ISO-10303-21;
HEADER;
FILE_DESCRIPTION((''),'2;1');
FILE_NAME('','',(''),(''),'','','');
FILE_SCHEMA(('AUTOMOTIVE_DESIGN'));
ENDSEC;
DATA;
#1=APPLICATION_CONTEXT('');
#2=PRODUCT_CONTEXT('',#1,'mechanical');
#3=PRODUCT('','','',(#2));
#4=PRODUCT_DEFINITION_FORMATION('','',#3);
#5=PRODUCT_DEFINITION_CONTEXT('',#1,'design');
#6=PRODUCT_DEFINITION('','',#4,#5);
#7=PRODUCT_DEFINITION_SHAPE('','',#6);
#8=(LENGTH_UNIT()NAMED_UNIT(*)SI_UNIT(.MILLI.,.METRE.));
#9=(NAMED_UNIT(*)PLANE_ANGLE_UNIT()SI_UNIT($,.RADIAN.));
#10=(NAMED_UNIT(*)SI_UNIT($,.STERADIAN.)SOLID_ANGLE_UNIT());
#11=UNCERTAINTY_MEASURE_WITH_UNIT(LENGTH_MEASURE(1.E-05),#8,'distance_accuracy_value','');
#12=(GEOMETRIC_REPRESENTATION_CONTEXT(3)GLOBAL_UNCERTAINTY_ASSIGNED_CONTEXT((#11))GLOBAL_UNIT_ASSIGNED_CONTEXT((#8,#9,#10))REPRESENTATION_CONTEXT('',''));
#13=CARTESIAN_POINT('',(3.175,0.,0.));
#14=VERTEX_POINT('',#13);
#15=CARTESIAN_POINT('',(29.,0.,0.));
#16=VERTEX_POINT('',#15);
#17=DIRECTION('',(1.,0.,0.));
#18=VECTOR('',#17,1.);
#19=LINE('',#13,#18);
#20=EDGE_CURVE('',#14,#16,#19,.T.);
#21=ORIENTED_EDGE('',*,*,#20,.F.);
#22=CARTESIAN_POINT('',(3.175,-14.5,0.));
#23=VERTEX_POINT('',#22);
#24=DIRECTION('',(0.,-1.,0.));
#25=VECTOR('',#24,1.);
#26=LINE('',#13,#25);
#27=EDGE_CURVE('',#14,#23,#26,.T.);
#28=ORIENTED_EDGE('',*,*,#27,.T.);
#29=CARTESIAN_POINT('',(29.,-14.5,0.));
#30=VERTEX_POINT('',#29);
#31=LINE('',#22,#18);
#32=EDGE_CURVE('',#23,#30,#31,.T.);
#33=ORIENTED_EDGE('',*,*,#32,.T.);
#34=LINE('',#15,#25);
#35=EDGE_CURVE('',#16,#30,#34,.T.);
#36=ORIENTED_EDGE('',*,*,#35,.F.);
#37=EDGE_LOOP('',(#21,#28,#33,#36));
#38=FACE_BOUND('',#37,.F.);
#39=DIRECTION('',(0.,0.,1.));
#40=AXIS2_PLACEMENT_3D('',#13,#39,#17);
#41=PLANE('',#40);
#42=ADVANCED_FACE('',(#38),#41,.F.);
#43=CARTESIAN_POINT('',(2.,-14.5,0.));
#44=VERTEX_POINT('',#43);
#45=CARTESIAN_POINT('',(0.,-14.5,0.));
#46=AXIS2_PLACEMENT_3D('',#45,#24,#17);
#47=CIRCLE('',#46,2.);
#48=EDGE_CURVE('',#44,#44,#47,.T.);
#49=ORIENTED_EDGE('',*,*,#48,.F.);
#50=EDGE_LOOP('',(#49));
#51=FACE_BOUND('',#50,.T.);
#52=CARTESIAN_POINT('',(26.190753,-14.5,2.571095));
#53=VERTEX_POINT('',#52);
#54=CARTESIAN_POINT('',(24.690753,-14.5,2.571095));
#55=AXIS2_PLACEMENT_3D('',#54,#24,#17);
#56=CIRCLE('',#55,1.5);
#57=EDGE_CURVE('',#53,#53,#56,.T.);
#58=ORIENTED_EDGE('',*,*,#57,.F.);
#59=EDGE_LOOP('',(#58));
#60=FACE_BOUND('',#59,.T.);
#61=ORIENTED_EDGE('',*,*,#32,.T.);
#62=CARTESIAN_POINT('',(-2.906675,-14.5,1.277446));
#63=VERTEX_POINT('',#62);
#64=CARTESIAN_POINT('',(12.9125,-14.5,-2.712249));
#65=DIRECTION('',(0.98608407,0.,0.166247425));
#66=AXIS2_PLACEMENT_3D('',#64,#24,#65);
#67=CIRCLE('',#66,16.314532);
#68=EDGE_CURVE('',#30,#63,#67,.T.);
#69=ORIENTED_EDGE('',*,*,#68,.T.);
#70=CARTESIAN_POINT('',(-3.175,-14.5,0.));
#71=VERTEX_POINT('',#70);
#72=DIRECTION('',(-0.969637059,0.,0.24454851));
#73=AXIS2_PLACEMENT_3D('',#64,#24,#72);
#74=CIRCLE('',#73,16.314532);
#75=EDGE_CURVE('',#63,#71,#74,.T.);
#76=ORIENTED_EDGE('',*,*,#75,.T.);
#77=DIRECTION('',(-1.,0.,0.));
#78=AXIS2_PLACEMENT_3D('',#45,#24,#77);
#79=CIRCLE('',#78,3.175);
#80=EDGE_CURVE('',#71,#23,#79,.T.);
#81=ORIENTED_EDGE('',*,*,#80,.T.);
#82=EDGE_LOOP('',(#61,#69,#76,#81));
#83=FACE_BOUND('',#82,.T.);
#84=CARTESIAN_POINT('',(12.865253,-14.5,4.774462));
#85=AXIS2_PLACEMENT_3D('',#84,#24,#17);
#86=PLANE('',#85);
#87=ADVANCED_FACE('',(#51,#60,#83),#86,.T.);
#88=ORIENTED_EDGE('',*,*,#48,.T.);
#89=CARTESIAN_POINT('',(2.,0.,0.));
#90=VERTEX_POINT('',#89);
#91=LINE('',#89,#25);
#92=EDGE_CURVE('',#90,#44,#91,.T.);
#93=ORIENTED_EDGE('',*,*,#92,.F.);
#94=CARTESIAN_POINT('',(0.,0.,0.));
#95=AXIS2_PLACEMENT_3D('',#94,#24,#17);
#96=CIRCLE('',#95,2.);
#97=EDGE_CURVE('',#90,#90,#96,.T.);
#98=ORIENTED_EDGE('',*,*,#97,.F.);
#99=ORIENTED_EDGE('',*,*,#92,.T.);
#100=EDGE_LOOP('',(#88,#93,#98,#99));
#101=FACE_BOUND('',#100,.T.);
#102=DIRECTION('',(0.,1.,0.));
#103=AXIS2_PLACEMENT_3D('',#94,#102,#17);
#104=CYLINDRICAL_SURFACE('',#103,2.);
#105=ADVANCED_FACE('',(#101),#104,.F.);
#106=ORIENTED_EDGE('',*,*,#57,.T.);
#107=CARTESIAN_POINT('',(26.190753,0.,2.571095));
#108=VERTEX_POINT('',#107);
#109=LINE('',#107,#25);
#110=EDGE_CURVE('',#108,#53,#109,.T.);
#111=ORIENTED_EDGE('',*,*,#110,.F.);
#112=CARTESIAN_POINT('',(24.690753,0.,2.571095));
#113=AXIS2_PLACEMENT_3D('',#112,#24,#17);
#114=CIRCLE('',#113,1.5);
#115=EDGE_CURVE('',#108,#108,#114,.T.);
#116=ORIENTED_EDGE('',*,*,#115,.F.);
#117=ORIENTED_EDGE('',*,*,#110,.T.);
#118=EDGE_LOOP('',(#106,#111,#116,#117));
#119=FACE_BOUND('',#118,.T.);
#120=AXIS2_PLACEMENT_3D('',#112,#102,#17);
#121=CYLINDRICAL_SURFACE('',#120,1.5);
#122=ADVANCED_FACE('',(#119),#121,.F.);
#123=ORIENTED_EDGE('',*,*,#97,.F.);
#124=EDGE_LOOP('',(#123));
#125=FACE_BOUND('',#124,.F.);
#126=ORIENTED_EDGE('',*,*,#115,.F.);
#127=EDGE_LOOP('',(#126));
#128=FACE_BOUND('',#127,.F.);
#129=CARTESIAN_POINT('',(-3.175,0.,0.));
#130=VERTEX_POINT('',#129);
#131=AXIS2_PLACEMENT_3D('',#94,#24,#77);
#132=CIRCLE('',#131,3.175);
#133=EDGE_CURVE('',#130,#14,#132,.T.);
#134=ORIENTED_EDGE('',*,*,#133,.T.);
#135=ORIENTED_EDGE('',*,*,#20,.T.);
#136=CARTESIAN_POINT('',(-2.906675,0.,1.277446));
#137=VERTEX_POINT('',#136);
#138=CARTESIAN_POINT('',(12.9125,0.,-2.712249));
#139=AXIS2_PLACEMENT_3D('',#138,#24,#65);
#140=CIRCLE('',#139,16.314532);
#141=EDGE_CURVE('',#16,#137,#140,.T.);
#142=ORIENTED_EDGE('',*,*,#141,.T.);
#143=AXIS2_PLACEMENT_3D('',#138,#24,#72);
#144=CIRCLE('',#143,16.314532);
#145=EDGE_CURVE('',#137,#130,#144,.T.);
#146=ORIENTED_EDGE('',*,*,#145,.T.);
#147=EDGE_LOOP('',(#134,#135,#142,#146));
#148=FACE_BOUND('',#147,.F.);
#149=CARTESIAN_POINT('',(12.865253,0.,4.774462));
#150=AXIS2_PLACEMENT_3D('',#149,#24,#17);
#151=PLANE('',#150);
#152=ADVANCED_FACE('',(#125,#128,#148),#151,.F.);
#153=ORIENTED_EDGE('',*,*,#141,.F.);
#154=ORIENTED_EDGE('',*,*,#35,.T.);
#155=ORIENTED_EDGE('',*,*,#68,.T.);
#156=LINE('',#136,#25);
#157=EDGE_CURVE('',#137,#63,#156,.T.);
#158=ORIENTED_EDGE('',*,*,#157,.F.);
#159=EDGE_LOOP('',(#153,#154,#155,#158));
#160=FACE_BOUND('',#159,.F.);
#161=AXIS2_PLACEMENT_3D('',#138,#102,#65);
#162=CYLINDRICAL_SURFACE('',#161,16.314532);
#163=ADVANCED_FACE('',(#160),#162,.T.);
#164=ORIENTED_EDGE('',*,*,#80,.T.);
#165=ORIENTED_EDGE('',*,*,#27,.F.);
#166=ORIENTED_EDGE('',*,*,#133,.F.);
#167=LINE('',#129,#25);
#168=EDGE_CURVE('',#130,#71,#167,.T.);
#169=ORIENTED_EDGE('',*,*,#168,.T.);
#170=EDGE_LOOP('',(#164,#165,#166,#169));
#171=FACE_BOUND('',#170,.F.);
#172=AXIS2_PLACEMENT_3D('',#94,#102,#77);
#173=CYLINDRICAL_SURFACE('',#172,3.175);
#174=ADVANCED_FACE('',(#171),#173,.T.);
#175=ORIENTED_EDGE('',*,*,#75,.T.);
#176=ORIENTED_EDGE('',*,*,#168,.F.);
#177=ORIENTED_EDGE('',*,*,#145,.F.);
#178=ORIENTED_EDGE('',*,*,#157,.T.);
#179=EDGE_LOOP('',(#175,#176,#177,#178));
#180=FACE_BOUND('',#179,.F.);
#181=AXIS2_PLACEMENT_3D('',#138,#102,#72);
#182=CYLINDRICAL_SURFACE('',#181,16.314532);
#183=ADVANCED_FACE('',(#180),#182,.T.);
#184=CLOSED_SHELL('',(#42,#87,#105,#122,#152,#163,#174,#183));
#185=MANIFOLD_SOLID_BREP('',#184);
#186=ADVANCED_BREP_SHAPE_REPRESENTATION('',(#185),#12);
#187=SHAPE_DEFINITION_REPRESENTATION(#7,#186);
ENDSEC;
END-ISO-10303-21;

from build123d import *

# Parameters (mm, degrees)
F0_R     = 1.5
F1_DEPTH = 14.5
F0_R_2   = 2
F2_DEPTH = 14.5


with BuildPart() as f1:
    # F0 (on Front) → F1 (new body)
    with BuildSketch(Plane.XZ):
        with BuildLine():
            ThreePointArc((-2.9066747097, 1.2774455495), (0.6526610133, 3.1071946514), (3.175, 0))
            Line((3.175, 0), (29, 0))
            ThreePointArc((29, 0), (13.5651610133, 13.5892229178), (-2.9066747097, 1.2774455495))
        make_face()
        with Locations((24.690752849, 2.5710954797)):
            Circle(F0_R, mode=Mode.SUBTRACT)
    extrude(amount=F1_DEPTH)

    # F0 (on Front) → F2 (join)
    with BuildSketch(Plane.XZ):
        with BuildLine():
            ThreePointArc((-2.9066747097, 1.2774455495), (0.6526610133, 3.1071946514), (3.175, 0))
            Line((3.175, 0), (29, 0))
            ThreePointArc((29, 0), (13.5651610133, 13.5892229178), (-2.9066747097, 1.2774455495))
        make_face()
        with Locations((24.690752849, 2.5710954797)):
            Circle(F0_R, mode=Mode.SUBTRACT)
        with BuildLine():
            ThreePointArc((-3.175, 0), (0, -3.175), (3.175, 0))
            ThreePointArc((3.175, 0), (0.6526610133, 3.1071946514), (-2.9066747097, 1.2774455495))
            ThreePointArc((-2.9066747097, 1.2774455495), (-3.053618487, 0.6414074301), (-3.175, 0))
        make_face()
        Circle(F0_R_2, mode=Mode.SUBTRACT)
    extrude(amount=F2_DEPTH)


solid = f1.part
